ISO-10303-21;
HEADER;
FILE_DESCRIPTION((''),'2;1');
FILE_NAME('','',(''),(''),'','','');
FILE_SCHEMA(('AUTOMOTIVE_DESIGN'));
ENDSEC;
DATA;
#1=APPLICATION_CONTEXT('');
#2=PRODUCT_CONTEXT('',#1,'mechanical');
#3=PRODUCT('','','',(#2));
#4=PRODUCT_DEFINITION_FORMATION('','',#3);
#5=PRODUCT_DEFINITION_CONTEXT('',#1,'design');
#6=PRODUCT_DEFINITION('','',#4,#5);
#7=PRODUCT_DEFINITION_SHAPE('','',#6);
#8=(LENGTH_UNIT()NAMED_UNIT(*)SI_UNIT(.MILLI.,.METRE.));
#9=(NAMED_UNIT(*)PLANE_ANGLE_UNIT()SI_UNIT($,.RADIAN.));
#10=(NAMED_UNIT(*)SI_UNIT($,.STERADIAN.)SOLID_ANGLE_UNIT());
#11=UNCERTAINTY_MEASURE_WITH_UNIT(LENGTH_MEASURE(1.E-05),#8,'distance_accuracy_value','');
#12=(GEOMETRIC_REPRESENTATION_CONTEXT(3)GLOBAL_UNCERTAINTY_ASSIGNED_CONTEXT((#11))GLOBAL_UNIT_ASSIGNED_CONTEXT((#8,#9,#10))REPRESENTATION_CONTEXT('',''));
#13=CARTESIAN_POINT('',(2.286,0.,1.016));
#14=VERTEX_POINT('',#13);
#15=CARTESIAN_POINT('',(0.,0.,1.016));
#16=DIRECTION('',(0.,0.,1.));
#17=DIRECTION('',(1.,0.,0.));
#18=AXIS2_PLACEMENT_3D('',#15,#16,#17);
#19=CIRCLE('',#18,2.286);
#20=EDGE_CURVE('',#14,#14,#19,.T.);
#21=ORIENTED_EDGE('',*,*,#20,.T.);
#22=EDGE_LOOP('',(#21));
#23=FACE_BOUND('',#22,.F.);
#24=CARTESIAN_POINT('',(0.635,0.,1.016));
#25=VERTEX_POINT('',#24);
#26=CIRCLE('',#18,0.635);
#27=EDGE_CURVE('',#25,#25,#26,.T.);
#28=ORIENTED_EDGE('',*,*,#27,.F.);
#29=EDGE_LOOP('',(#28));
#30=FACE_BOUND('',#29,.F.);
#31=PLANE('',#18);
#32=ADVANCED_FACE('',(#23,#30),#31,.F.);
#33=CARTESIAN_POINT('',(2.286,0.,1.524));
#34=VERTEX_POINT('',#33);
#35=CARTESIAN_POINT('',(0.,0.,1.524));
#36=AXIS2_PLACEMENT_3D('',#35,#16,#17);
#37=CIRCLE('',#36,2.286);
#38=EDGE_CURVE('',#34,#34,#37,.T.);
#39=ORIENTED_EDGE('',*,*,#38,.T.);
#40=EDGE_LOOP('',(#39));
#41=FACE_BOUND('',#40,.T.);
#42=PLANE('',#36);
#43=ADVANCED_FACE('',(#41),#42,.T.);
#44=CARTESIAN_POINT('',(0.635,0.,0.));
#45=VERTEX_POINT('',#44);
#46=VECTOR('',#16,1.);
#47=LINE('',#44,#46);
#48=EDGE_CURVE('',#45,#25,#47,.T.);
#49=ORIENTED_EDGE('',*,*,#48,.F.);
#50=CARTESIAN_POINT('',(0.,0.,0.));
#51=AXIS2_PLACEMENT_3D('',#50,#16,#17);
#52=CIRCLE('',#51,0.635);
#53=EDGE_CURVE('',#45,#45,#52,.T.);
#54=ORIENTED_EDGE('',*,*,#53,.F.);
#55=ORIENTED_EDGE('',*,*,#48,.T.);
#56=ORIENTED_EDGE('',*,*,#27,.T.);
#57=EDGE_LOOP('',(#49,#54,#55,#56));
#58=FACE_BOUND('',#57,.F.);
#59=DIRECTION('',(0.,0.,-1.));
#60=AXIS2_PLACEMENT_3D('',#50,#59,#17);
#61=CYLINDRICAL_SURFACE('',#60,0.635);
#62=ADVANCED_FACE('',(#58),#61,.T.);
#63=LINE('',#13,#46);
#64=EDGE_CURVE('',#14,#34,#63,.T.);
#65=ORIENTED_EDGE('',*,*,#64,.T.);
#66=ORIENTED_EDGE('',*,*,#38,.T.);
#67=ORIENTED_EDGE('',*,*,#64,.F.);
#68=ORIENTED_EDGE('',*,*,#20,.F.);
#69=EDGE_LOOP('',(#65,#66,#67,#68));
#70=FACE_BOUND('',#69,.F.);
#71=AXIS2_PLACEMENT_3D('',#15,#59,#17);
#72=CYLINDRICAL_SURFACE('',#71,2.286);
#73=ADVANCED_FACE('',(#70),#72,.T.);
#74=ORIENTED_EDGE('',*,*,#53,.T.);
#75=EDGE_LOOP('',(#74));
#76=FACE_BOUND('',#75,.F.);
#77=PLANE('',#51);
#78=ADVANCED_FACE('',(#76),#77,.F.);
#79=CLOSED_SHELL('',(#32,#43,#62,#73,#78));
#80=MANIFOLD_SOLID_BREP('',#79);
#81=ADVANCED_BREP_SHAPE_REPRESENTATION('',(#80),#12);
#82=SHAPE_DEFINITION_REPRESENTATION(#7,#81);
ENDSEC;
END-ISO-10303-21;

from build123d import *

# Parameters (mm, degrees)
F0_R     = 0.635
F1_DEPTH = 1.016
F2_R     = 2.286
F2_R_2   = 0.635
F3_DEPTH = 0.508


with BuildPart() as f1:
    # F0 (on Top) → F1 (new body)
    with BuildSketch(Plane.XY):
        Circle(F0_R)
    extrude(amount=F1_DEPTH)

    # F2 (on face) → F3 (join)
    with BuildSketch(Plane.XY.offset(1.016)):
        Circle(F2_R)
        Circle(F2_R_2, mode=Mode.SUBTRACT)
        Circle(F2_R_2)
    extrude(amount=F3_DEPTH)


solid = f1.part
